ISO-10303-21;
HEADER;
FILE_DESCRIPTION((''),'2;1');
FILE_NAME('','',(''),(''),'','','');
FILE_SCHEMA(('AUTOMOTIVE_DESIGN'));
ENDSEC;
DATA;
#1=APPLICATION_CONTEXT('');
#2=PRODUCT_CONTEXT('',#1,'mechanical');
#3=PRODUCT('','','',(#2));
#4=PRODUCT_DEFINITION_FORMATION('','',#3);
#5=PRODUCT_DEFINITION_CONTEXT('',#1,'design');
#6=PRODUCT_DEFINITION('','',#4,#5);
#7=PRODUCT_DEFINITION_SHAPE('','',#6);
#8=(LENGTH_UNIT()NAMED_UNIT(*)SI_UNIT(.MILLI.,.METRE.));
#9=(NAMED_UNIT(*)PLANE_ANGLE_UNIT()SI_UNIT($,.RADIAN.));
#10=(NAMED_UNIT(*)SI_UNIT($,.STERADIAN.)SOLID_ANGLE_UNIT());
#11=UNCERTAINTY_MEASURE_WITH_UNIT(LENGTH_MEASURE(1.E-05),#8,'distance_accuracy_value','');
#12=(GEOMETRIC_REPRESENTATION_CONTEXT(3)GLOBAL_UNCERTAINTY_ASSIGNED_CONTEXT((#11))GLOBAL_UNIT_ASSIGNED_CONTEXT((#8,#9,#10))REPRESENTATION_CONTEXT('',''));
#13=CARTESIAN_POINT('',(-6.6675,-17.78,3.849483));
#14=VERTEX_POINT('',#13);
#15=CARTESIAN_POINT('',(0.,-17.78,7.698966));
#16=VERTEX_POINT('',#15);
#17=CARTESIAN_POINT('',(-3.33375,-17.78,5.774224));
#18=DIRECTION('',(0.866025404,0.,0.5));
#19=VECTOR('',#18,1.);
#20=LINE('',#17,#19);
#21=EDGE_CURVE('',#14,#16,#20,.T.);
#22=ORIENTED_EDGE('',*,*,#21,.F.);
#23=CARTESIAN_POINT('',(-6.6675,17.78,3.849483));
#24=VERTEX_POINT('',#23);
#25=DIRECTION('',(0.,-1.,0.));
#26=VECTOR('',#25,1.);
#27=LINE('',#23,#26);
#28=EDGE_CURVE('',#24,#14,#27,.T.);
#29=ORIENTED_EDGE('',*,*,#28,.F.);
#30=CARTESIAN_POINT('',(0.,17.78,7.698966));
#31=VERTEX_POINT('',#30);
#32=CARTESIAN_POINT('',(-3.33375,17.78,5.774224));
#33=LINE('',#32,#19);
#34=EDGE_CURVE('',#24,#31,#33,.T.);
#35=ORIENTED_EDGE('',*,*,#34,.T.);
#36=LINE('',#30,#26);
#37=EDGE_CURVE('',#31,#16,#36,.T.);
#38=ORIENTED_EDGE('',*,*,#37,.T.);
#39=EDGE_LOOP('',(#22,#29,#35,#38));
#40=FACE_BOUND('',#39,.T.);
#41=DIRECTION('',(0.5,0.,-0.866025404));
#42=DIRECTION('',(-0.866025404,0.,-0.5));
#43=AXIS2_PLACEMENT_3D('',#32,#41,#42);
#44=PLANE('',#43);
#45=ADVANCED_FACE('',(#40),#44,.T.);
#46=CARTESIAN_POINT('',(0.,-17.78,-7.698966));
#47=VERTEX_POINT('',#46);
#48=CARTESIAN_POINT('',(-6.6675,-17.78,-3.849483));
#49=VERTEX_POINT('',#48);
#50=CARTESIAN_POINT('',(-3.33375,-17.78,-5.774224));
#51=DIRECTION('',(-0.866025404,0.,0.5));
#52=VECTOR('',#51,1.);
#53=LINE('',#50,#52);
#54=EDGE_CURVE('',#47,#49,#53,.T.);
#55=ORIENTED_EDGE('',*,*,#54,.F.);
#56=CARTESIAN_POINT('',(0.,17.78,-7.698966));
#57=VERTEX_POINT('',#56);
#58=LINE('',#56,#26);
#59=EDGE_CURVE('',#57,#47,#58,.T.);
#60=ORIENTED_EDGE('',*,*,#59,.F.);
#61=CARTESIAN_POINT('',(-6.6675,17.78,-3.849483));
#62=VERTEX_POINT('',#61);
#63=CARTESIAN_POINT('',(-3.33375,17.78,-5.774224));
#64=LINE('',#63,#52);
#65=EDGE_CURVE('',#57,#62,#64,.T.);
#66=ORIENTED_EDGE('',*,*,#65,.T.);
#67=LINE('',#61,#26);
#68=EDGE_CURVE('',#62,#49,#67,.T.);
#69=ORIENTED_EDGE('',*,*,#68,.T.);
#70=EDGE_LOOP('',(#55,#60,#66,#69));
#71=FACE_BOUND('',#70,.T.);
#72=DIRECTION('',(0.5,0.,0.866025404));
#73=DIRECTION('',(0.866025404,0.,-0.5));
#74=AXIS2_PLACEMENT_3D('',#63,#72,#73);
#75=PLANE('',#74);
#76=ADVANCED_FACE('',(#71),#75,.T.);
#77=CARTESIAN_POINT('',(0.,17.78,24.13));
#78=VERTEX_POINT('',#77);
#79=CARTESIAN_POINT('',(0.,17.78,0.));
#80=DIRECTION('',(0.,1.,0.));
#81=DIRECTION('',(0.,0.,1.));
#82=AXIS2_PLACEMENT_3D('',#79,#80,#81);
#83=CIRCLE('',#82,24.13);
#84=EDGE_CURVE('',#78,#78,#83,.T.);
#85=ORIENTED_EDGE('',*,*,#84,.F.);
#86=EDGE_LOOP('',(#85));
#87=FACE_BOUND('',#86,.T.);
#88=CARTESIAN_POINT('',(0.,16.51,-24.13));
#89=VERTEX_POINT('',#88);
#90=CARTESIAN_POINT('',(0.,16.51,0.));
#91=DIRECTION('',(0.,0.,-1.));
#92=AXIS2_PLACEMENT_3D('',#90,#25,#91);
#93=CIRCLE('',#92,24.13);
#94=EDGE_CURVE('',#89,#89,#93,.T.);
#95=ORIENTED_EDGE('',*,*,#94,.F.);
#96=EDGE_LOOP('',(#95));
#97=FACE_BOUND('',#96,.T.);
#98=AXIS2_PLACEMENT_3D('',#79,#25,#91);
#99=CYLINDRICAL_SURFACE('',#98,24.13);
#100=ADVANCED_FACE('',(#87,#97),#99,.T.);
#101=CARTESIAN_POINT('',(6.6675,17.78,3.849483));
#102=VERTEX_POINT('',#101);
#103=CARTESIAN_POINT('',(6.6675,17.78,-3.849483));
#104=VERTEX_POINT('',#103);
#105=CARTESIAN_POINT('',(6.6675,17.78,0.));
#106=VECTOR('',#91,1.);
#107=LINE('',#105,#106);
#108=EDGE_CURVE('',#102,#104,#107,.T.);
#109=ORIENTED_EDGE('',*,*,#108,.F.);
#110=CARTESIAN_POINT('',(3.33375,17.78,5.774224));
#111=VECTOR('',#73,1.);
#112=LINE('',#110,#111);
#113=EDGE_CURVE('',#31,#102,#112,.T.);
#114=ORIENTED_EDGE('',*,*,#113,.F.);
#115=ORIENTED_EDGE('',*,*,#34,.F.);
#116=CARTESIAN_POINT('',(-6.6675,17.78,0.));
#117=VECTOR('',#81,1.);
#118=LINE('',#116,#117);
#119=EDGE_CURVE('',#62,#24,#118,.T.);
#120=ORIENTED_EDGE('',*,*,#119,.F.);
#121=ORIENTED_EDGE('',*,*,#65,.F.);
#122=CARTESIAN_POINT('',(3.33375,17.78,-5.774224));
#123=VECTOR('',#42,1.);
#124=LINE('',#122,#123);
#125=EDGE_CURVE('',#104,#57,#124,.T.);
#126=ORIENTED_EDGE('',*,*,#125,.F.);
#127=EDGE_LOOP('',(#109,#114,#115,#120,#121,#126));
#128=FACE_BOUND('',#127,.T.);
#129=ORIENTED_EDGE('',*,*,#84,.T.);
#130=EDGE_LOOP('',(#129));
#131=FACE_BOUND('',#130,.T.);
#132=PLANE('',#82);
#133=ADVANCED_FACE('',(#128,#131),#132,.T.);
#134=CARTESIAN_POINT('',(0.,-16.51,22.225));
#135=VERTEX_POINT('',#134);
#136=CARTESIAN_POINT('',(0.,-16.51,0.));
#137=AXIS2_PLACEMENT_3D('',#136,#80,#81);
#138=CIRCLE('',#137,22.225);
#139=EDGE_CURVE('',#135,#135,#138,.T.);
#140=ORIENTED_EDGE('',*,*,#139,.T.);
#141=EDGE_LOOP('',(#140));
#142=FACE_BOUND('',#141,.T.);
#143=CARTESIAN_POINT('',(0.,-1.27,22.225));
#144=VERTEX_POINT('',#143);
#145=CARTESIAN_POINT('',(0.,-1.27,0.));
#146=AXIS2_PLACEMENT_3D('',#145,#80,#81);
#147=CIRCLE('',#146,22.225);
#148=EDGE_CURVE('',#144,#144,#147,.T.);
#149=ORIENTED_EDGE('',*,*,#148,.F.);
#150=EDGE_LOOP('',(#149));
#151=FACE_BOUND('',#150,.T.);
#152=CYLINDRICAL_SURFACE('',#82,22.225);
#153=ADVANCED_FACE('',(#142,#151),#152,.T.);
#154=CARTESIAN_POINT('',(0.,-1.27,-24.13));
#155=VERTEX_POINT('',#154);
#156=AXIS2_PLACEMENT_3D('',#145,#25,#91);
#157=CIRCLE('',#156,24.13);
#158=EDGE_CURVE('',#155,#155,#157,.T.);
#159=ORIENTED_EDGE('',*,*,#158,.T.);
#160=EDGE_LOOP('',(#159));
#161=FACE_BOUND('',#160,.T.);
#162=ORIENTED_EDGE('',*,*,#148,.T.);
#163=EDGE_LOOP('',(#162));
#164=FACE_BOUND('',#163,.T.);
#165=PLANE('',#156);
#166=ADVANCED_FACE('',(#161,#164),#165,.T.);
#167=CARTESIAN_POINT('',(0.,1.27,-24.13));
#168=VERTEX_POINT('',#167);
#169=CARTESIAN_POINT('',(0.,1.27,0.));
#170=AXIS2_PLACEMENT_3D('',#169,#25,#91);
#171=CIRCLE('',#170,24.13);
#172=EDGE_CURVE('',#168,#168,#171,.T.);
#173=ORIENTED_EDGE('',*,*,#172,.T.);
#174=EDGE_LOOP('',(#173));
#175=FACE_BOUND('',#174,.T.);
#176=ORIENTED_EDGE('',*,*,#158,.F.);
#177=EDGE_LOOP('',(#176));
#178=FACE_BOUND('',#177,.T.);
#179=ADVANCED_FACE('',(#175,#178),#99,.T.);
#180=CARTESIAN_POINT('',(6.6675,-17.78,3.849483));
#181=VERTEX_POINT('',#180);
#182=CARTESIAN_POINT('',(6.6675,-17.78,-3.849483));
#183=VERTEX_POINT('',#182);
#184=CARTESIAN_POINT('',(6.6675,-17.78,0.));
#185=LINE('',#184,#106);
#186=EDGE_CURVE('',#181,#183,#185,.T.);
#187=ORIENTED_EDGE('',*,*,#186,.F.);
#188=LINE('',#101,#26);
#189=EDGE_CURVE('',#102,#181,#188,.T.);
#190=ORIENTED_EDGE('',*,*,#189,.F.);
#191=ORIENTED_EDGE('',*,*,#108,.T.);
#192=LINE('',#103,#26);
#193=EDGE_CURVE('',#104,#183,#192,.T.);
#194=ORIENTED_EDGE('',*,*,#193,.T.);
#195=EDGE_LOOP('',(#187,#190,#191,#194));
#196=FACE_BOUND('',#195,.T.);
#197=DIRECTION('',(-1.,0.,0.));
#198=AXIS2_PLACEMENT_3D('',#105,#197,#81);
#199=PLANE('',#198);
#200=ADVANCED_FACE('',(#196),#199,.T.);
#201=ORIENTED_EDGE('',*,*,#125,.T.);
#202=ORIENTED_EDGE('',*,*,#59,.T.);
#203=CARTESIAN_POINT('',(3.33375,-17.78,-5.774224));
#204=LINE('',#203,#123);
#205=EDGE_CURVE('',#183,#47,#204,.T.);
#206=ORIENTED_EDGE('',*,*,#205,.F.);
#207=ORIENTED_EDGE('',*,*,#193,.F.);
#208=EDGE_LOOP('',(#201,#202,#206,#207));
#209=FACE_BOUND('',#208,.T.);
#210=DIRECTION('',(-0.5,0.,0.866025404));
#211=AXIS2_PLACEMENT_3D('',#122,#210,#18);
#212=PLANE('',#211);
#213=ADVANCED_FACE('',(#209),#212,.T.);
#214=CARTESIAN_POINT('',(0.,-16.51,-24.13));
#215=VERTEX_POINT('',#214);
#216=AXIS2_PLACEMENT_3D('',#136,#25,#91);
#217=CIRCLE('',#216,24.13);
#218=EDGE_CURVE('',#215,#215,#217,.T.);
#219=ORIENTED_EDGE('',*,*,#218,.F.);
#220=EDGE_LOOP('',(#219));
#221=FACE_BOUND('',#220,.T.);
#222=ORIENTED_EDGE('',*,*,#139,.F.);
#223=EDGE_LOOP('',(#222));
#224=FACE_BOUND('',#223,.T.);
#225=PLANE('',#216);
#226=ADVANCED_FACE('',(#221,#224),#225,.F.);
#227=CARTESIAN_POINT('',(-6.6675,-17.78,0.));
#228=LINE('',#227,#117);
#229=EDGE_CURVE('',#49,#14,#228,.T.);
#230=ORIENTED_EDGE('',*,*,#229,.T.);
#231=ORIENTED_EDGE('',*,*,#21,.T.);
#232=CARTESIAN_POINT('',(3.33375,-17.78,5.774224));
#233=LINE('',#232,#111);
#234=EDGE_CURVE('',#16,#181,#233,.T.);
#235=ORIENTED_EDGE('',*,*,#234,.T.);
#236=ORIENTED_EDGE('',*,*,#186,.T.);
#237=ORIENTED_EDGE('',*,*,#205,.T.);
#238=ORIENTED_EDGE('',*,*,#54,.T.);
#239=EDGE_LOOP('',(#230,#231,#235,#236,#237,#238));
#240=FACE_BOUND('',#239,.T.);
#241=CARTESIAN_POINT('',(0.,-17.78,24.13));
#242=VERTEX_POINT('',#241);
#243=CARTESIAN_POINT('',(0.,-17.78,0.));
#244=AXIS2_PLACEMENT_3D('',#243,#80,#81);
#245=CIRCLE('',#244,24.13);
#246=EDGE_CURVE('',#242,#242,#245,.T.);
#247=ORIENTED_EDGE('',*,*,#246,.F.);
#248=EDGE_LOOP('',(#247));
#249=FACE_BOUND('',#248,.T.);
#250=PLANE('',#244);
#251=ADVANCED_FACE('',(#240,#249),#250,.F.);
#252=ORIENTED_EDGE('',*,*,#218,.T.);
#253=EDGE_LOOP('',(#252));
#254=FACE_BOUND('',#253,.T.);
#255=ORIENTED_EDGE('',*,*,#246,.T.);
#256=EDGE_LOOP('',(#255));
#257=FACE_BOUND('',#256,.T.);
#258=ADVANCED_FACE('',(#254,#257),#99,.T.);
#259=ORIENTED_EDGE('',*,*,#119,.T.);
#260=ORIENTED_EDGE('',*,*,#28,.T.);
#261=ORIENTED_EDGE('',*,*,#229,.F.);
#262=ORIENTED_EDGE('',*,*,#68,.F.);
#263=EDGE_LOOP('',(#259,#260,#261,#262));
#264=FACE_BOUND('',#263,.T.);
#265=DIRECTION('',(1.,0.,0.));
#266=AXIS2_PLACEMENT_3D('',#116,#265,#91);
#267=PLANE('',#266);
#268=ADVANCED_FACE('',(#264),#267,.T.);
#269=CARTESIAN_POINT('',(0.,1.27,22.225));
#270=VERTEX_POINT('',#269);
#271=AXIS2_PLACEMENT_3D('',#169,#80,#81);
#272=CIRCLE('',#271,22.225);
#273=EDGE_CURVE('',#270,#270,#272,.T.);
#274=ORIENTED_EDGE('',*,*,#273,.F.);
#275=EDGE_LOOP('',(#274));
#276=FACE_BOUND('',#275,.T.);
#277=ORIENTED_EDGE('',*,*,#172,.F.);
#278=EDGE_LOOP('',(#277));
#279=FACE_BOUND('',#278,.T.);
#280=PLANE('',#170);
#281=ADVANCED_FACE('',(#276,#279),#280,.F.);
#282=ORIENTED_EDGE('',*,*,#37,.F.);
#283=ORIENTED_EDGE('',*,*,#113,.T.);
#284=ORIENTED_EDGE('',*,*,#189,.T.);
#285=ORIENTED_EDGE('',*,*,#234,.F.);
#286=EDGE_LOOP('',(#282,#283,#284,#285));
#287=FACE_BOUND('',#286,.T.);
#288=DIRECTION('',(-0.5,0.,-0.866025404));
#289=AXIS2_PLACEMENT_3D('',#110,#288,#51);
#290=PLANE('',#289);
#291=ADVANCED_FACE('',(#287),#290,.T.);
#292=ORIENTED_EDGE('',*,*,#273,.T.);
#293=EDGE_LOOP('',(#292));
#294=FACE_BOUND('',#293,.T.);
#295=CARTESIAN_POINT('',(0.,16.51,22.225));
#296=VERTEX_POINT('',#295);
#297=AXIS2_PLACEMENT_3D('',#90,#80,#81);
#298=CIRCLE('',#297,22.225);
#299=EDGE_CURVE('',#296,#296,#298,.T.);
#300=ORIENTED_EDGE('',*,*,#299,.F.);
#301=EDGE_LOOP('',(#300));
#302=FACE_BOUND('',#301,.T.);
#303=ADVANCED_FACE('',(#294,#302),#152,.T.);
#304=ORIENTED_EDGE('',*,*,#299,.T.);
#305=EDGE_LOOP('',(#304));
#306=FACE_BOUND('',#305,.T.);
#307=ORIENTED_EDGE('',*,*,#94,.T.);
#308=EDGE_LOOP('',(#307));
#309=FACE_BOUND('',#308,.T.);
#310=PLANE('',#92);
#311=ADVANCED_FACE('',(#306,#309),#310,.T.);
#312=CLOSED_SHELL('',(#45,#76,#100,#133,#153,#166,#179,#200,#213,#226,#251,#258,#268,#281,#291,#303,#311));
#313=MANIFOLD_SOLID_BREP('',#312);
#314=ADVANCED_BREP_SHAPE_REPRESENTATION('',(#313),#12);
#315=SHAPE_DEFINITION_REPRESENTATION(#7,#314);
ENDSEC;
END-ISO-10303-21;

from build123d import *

# Parameters (mm, degrees)
SKETCH1_R           = 24.13
BOSS_EXTRUDE1_DEPTH = 17.78
SKETCH2_W           = 3.81
SKETCH2_H           = 15.24


with BuildPart() as part:
    # Sketch1 → Boss-Extrude1 (new, symmetric)
    with BuildSketch(Plane(origin=(0, 0, 0), x_dir=(1, 0, 0), z_dir=(0, 1, 0))):
        Circle(SKETCH1_R)
        Polygon((-6.6675, 3.84948292), (0, 7.69896584), (2.709533295, 6.134616063), (6.6675, 3.84948292), (6.6675, -3.84948292), (0, -7.69896584), (-6.6675, -3.84948292), align=None, mode=Mode.SUBTRACT)
    extrude(amount=BOSS_EXTRUDE1_DEPTH, both=True)

    # Sketch2 → Cut-Revolve1 (revolve, cut)
    with BuildSketch(Plane.XY):
        with Locations((-24.13, -8.89)):
            Rectangle(SKETCH2_W, SKETCH2_H)
        with Locations((-24.13, 8.89)):
            Rectangle(SKETCH2_W, SKETCH2_H)
    revolve(axis=Axis((0, 17.78, 0), (0, -1, 0)), mode=Mode.SUBTRACT)


solid = part.part
